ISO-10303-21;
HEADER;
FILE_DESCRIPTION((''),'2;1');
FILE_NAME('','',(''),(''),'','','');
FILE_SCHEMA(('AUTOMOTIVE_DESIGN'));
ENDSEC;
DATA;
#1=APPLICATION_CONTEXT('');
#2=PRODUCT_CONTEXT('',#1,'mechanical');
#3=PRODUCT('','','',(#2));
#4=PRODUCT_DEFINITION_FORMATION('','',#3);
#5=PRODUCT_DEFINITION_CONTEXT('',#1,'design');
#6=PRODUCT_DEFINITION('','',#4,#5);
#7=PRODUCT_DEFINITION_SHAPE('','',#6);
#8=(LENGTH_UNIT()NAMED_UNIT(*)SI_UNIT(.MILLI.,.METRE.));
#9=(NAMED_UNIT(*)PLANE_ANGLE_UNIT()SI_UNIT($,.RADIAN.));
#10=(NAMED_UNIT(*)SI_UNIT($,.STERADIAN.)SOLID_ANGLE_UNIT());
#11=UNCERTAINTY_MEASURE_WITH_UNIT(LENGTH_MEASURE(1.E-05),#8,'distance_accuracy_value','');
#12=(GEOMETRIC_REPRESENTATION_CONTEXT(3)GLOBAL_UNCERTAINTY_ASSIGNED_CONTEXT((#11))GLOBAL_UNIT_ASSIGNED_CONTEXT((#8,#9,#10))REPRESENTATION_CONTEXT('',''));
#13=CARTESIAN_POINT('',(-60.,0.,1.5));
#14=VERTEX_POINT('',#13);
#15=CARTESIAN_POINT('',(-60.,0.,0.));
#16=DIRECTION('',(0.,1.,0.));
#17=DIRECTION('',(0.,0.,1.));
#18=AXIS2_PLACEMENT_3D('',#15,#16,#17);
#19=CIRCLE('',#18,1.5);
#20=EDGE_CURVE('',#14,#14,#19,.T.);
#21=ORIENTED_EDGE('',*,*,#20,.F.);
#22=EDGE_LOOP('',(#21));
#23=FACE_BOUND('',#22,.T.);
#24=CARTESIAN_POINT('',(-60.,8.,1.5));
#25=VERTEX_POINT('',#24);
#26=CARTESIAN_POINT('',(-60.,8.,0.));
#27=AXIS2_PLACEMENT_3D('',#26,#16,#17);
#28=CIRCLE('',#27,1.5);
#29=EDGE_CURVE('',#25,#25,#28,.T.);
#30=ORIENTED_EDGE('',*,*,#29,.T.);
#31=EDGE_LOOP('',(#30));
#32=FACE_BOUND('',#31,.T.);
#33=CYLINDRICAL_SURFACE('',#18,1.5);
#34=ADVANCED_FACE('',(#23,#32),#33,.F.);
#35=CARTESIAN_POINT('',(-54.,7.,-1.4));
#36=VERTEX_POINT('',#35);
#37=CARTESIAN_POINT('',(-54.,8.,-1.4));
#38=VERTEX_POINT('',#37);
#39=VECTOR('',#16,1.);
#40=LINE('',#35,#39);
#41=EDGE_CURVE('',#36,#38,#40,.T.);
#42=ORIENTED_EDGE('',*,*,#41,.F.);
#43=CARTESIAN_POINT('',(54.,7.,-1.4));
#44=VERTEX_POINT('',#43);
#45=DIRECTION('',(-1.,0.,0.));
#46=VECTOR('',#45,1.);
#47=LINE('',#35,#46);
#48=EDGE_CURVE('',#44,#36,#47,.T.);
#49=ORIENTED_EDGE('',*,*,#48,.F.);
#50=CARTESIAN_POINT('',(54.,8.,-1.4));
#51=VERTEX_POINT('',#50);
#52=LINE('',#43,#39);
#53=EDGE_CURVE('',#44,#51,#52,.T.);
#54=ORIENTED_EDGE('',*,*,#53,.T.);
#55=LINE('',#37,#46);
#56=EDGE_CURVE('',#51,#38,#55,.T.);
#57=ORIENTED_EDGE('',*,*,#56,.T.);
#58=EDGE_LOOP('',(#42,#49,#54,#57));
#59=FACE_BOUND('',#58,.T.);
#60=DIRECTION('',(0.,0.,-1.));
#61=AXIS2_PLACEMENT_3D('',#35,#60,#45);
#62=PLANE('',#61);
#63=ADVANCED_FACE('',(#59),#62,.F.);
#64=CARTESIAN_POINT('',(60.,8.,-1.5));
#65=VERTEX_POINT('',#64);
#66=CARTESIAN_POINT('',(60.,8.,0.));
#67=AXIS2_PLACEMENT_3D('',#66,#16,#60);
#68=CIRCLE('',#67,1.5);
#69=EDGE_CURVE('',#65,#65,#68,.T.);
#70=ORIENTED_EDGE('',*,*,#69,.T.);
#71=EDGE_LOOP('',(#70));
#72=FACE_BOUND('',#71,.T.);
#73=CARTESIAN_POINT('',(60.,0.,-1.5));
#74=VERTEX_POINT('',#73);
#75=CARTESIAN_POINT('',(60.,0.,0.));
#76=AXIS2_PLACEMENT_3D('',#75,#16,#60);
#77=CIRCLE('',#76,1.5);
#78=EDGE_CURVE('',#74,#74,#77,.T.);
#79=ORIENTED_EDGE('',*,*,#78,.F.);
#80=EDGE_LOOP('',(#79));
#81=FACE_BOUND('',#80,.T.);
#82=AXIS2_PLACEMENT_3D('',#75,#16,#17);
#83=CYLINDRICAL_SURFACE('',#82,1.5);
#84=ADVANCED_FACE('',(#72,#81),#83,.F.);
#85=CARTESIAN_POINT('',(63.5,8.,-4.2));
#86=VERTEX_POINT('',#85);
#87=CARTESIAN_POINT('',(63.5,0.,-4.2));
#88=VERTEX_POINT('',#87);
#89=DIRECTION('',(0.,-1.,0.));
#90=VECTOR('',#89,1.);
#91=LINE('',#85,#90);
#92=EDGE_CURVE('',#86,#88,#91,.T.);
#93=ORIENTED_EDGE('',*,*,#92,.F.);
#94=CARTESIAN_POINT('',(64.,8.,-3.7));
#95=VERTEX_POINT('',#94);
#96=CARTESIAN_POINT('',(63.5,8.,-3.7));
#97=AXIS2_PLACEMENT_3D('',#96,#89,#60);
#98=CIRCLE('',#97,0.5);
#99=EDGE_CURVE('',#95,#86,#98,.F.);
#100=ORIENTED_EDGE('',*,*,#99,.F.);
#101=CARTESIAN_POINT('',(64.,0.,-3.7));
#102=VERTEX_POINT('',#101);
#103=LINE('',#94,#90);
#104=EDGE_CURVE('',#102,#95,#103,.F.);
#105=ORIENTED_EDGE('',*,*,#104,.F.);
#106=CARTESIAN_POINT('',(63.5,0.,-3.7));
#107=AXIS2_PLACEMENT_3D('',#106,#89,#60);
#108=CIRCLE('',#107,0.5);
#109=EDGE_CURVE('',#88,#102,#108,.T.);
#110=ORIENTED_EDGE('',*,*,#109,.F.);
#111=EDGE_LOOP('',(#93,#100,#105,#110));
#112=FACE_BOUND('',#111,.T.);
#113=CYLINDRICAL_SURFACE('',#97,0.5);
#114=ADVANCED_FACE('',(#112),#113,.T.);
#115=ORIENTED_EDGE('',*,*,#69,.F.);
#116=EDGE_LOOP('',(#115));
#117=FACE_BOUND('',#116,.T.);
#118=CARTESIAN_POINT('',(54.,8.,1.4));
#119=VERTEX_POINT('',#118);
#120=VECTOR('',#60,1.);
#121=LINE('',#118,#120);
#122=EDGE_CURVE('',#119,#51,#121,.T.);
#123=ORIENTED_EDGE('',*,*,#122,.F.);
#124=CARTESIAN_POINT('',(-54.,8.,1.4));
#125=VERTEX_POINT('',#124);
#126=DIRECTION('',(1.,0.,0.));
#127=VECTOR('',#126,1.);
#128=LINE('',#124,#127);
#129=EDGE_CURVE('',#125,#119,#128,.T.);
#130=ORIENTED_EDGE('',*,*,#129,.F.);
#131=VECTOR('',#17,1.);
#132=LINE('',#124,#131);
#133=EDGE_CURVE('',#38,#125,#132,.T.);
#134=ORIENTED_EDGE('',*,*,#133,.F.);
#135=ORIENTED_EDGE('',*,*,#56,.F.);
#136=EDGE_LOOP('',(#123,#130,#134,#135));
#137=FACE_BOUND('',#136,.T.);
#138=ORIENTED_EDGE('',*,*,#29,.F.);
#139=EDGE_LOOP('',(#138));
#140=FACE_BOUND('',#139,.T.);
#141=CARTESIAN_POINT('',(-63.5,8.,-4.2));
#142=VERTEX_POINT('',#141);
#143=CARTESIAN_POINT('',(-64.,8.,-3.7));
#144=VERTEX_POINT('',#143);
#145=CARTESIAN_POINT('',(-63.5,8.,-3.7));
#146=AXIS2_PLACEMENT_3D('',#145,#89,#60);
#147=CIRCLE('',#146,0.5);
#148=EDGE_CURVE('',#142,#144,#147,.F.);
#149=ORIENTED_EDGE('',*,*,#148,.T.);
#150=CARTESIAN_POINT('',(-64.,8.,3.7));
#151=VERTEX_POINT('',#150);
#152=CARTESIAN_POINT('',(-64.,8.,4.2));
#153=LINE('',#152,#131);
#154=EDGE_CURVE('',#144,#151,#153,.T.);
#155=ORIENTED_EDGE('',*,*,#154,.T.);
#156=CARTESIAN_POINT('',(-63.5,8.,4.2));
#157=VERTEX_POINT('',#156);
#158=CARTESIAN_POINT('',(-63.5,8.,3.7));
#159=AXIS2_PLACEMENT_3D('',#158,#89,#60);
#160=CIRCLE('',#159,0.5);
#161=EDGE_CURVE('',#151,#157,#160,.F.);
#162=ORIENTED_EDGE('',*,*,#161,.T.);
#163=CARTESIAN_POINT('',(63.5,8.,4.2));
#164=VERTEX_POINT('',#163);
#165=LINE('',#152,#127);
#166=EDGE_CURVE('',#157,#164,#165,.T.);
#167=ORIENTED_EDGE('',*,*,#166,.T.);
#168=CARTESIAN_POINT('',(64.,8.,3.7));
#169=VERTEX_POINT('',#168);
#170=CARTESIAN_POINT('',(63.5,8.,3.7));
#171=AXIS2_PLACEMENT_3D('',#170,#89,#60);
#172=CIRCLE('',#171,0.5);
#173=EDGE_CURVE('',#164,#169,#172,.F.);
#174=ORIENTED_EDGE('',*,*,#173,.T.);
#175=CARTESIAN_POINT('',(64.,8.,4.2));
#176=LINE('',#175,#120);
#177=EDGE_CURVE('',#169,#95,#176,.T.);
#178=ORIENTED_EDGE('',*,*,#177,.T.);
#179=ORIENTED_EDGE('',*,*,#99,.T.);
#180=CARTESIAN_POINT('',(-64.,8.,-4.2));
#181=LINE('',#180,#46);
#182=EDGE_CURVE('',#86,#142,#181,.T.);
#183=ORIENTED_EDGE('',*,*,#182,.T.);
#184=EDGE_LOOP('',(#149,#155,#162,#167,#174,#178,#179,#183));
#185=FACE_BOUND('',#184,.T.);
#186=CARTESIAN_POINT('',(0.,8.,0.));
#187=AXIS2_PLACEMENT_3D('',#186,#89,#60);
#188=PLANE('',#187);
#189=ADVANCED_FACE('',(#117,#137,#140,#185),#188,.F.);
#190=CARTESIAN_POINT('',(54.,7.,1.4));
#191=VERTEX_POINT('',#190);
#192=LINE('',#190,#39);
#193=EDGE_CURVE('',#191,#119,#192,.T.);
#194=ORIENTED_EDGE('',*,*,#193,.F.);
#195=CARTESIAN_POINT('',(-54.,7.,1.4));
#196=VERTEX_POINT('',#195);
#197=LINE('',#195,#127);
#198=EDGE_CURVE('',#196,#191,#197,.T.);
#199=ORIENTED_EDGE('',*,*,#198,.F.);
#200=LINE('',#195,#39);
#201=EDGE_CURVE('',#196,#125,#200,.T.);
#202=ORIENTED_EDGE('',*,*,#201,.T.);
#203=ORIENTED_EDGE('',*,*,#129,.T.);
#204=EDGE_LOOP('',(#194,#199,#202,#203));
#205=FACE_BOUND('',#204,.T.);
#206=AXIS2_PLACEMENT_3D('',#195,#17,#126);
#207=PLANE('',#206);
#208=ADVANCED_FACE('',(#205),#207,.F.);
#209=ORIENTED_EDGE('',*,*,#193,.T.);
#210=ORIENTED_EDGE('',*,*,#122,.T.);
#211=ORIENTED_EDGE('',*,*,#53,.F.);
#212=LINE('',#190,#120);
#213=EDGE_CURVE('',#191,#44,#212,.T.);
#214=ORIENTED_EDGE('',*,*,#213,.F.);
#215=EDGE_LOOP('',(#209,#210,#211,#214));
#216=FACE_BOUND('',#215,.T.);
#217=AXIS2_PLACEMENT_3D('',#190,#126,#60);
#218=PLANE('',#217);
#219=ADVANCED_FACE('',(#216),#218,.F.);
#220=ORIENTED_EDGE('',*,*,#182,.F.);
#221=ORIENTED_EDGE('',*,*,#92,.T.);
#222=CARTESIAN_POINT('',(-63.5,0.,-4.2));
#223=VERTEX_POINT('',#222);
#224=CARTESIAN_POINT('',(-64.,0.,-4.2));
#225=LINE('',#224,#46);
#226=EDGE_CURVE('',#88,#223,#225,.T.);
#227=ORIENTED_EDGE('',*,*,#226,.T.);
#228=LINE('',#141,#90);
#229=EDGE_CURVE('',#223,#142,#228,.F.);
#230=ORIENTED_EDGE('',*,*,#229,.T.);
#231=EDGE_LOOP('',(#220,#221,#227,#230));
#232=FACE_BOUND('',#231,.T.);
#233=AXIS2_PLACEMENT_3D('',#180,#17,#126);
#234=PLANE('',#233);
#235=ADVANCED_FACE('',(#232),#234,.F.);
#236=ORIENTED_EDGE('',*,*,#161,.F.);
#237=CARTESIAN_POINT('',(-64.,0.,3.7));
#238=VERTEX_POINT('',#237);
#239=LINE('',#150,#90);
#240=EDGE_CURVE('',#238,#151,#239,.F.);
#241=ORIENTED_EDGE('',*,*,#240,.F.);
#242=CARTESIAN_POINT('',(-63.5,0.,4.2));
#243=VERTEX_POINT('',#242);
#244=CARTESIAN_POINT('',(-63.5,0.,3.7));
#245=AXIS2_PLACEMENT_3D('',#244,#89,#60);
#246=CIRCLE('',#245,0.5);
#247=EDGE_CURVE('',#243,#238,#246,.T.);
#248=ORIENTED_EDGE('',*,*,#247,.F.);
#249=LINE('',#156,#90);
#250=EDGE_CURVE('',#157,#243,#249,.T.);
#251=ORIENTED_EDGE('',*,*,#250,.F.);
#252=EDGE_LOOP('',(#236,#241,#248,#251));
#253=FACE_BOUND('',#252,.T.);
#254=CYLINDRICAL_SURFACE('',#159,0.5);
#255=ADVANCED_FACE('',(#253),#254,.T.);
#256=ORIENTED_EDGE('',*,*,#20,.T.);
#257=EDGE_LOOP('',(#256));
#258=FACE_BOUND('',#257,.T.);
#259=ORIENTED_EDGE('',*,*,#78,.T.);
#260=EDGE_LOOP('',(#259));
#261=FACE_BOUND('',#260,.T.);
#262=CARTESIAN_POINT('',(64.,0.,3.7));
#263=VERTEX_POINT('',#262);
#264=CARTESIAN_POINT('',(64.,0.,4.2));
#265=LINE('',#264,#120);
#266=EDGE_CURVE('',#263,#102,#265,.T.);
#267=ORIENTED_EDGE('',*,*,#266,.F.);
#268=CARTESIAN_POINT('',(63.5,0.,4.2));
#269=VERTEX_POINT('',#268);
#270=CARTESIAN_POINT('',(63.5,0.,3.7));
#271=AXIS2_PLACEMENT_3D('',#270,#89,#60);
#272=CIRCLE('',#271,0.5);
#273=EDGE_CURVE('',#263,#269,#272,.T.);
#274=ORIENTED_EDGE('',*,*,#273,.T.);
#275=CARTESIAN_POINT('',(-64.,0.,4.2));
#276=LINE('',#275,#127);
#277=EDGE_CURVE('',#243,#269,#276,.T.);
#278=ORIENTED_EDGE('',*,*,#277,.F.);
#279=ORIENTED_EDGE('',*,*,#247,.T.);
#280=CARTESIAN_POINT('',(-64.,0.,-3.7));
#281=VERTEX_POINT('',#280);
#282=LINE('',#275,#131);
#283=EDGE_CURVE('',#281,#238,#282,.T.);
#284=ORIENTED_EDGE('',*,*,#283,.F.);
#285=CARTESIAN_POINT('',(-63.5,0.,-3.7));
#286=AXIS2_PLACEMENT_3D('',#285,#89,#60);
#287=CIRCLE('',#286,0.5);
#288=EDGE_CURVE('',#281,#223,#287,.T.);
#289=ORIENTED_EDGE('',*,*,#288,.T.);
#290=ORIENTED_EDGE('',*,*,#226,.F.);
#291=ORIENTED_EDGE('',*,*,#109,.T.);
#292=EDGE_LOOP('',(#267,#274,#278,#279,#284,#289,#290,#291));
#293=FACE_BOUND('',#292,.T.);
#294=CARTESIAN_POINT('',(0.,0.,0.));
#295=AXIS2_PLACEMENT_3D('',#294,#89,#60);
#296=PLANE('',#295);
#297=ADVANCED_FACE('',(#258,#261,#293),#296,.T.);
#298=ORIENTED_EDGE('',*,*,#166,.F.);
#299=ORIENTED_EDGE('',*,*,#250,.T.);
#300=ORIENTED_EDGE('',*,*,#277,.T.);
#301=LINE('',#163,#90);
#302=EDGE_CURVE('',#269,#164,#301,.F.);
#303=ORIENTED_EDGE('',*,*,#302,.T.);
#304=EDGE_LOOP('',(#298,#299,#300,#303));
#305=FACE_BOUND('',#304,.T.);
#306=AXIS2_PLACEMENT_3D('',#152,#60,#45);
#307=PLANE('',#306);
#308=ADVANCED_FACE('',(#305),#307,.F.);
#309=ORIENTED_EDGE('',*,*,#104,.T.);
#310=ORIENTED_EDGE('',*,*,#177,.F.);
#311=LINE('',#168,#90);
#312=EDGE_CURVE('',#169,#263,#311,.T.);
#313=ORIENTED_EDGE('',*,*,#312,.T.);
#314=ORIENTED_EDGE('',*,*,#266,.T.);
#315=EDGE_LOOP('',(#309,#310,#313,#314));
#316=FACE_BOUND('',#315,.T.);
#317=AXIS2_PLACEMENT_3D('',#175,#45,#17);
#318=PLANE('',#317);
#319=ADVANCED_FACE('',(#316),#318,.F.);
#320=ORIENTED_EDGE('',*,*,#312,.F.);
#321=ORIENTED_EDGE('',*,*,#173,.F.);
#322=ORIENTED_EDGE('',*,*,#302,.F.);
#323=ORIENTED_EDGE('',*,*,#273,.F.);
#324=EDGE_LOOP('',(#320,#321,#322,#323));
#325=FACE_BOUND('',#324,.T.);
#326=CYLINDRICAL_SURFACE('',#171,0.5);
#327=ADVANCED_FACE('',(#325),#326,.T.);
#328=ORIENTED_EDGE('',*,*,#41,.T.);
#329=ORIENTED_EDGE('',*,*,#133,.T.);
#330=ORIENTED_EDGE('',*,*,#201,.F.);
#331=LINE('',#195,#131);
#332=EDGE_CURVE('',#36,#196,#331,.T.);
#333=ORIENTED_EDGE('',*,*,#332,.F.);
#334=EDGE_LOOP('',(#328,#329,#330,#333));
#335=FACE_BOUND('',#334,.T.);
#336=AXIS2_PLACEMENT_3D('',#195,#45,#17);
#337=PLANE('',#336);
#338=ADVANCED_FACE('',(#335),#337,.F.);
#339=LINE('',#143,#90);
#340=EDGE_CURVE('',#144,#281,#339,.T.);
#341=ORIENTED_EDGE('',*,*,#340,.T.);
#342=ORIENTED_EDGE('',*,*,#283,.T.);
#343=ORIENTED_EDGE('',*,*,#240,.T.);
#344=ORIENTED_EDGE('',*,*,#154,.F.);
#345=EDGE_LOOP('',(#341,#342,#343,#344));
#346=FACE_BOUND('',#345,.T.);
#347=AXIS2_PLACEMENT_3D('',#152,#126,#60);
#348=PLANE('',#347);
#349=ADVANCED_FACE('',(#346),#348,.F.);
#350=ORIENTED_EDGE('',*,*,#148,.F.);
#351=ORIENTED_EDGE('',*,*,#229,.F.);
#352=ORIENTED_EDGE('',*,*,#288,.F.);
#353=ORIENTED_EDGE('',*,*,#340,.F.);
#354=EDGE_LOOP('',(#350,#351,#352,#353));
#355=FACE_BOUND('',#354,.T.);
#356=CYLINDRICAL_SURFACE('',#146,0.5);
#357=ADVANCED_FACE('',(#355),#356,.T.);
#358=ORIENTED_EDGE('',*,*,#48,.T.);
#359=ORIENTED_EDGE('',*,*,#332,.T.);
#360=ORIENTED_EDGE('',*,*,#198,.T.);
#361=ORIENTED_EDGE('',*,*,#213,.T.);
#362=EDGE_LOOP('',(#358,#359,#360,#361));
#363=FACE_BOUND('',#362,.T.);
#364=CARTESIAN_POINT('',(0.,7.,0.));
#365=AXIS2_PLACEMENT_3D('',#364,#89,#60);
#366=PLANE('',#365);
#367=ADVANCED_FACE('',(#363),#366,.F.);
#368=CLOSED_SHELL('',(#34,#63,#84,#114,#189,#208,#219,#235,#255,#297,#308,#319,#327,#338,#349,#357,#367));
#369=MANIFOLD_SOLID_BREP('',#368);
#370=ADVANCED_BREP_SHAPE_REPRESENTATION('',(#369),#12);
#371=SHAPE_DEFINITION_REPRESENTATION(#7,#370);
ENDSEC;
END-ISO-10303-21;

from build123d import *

# Parameters (mm, degrees)
SKETCH1_W           = 128
SKETCH1_H           = 8.4
BOSS_EXTRUDE1_DEPTH = 8
SKETCH2_R           = 1.5
CUT_EXTRUDE1_DEPTH  = 65.634665621
SKETCH3_W           = 108
SKETCH3_H           = 2.8
CUT_EXTRUDE2_DEPTH  = 1
FILLET1_R           = 0.5


with BuildPart() as part:
    # Sketch1 → Boss-Extrude1 (new body)
    with BuildSketch(Plane(origin=(0, 0, 0), x_dir=(1, 0, 0), z_dir=(0, 1, 0))):
        Rectangle(SKETCH1_W, SKETCH1_H)
    extrude(amount=BOSS_EXTRUDE1_DEPTH)

    # Sketch2 → Cut-Extrude1 (cut, through all)
    with BuildSketch(Plane(origin=(0, 8, 0), x_dir=(1, 0, 0), z_dir=(0, 1, 0))):
        with Locations(Location((-60, 0, 0), (0, 0, 270))):
            Circle(SKETCH2_R)
        with Locations(Location((60, 0, 0), (0, 0, 90))):
            Circle(SKETCH2_R)
    extrude(amount=-CUT_EXTRUDE1_DEPTH, mode=Mode.SUBTRACT)

    # Sketch3 → Cut-Extrude2 (cut)
    with BuildSketch(Plane(origin=(0, 8, 0), x_dir=(1, 0, 0), z_dir=(0, 1, 0))):
        Rectangle(SKETCH3_W, SKETCH3_H)
    extrude(amount=-CUT_EXTRUDE2_DEPTH, mode=Mode.SUBTRACT)

    # Fillet1
    fillet1_edges = [part.edges().sort_by_distance(p)[0] for p in [
        (64, 4, 4.2),
        (-64, 4, 4.2),
        (-64, 4, -4.2),
        (64, 4, -4.2),
    ]]
    fillet(fillet1_edges, radius=FILLET1_R)


solid = part.part
